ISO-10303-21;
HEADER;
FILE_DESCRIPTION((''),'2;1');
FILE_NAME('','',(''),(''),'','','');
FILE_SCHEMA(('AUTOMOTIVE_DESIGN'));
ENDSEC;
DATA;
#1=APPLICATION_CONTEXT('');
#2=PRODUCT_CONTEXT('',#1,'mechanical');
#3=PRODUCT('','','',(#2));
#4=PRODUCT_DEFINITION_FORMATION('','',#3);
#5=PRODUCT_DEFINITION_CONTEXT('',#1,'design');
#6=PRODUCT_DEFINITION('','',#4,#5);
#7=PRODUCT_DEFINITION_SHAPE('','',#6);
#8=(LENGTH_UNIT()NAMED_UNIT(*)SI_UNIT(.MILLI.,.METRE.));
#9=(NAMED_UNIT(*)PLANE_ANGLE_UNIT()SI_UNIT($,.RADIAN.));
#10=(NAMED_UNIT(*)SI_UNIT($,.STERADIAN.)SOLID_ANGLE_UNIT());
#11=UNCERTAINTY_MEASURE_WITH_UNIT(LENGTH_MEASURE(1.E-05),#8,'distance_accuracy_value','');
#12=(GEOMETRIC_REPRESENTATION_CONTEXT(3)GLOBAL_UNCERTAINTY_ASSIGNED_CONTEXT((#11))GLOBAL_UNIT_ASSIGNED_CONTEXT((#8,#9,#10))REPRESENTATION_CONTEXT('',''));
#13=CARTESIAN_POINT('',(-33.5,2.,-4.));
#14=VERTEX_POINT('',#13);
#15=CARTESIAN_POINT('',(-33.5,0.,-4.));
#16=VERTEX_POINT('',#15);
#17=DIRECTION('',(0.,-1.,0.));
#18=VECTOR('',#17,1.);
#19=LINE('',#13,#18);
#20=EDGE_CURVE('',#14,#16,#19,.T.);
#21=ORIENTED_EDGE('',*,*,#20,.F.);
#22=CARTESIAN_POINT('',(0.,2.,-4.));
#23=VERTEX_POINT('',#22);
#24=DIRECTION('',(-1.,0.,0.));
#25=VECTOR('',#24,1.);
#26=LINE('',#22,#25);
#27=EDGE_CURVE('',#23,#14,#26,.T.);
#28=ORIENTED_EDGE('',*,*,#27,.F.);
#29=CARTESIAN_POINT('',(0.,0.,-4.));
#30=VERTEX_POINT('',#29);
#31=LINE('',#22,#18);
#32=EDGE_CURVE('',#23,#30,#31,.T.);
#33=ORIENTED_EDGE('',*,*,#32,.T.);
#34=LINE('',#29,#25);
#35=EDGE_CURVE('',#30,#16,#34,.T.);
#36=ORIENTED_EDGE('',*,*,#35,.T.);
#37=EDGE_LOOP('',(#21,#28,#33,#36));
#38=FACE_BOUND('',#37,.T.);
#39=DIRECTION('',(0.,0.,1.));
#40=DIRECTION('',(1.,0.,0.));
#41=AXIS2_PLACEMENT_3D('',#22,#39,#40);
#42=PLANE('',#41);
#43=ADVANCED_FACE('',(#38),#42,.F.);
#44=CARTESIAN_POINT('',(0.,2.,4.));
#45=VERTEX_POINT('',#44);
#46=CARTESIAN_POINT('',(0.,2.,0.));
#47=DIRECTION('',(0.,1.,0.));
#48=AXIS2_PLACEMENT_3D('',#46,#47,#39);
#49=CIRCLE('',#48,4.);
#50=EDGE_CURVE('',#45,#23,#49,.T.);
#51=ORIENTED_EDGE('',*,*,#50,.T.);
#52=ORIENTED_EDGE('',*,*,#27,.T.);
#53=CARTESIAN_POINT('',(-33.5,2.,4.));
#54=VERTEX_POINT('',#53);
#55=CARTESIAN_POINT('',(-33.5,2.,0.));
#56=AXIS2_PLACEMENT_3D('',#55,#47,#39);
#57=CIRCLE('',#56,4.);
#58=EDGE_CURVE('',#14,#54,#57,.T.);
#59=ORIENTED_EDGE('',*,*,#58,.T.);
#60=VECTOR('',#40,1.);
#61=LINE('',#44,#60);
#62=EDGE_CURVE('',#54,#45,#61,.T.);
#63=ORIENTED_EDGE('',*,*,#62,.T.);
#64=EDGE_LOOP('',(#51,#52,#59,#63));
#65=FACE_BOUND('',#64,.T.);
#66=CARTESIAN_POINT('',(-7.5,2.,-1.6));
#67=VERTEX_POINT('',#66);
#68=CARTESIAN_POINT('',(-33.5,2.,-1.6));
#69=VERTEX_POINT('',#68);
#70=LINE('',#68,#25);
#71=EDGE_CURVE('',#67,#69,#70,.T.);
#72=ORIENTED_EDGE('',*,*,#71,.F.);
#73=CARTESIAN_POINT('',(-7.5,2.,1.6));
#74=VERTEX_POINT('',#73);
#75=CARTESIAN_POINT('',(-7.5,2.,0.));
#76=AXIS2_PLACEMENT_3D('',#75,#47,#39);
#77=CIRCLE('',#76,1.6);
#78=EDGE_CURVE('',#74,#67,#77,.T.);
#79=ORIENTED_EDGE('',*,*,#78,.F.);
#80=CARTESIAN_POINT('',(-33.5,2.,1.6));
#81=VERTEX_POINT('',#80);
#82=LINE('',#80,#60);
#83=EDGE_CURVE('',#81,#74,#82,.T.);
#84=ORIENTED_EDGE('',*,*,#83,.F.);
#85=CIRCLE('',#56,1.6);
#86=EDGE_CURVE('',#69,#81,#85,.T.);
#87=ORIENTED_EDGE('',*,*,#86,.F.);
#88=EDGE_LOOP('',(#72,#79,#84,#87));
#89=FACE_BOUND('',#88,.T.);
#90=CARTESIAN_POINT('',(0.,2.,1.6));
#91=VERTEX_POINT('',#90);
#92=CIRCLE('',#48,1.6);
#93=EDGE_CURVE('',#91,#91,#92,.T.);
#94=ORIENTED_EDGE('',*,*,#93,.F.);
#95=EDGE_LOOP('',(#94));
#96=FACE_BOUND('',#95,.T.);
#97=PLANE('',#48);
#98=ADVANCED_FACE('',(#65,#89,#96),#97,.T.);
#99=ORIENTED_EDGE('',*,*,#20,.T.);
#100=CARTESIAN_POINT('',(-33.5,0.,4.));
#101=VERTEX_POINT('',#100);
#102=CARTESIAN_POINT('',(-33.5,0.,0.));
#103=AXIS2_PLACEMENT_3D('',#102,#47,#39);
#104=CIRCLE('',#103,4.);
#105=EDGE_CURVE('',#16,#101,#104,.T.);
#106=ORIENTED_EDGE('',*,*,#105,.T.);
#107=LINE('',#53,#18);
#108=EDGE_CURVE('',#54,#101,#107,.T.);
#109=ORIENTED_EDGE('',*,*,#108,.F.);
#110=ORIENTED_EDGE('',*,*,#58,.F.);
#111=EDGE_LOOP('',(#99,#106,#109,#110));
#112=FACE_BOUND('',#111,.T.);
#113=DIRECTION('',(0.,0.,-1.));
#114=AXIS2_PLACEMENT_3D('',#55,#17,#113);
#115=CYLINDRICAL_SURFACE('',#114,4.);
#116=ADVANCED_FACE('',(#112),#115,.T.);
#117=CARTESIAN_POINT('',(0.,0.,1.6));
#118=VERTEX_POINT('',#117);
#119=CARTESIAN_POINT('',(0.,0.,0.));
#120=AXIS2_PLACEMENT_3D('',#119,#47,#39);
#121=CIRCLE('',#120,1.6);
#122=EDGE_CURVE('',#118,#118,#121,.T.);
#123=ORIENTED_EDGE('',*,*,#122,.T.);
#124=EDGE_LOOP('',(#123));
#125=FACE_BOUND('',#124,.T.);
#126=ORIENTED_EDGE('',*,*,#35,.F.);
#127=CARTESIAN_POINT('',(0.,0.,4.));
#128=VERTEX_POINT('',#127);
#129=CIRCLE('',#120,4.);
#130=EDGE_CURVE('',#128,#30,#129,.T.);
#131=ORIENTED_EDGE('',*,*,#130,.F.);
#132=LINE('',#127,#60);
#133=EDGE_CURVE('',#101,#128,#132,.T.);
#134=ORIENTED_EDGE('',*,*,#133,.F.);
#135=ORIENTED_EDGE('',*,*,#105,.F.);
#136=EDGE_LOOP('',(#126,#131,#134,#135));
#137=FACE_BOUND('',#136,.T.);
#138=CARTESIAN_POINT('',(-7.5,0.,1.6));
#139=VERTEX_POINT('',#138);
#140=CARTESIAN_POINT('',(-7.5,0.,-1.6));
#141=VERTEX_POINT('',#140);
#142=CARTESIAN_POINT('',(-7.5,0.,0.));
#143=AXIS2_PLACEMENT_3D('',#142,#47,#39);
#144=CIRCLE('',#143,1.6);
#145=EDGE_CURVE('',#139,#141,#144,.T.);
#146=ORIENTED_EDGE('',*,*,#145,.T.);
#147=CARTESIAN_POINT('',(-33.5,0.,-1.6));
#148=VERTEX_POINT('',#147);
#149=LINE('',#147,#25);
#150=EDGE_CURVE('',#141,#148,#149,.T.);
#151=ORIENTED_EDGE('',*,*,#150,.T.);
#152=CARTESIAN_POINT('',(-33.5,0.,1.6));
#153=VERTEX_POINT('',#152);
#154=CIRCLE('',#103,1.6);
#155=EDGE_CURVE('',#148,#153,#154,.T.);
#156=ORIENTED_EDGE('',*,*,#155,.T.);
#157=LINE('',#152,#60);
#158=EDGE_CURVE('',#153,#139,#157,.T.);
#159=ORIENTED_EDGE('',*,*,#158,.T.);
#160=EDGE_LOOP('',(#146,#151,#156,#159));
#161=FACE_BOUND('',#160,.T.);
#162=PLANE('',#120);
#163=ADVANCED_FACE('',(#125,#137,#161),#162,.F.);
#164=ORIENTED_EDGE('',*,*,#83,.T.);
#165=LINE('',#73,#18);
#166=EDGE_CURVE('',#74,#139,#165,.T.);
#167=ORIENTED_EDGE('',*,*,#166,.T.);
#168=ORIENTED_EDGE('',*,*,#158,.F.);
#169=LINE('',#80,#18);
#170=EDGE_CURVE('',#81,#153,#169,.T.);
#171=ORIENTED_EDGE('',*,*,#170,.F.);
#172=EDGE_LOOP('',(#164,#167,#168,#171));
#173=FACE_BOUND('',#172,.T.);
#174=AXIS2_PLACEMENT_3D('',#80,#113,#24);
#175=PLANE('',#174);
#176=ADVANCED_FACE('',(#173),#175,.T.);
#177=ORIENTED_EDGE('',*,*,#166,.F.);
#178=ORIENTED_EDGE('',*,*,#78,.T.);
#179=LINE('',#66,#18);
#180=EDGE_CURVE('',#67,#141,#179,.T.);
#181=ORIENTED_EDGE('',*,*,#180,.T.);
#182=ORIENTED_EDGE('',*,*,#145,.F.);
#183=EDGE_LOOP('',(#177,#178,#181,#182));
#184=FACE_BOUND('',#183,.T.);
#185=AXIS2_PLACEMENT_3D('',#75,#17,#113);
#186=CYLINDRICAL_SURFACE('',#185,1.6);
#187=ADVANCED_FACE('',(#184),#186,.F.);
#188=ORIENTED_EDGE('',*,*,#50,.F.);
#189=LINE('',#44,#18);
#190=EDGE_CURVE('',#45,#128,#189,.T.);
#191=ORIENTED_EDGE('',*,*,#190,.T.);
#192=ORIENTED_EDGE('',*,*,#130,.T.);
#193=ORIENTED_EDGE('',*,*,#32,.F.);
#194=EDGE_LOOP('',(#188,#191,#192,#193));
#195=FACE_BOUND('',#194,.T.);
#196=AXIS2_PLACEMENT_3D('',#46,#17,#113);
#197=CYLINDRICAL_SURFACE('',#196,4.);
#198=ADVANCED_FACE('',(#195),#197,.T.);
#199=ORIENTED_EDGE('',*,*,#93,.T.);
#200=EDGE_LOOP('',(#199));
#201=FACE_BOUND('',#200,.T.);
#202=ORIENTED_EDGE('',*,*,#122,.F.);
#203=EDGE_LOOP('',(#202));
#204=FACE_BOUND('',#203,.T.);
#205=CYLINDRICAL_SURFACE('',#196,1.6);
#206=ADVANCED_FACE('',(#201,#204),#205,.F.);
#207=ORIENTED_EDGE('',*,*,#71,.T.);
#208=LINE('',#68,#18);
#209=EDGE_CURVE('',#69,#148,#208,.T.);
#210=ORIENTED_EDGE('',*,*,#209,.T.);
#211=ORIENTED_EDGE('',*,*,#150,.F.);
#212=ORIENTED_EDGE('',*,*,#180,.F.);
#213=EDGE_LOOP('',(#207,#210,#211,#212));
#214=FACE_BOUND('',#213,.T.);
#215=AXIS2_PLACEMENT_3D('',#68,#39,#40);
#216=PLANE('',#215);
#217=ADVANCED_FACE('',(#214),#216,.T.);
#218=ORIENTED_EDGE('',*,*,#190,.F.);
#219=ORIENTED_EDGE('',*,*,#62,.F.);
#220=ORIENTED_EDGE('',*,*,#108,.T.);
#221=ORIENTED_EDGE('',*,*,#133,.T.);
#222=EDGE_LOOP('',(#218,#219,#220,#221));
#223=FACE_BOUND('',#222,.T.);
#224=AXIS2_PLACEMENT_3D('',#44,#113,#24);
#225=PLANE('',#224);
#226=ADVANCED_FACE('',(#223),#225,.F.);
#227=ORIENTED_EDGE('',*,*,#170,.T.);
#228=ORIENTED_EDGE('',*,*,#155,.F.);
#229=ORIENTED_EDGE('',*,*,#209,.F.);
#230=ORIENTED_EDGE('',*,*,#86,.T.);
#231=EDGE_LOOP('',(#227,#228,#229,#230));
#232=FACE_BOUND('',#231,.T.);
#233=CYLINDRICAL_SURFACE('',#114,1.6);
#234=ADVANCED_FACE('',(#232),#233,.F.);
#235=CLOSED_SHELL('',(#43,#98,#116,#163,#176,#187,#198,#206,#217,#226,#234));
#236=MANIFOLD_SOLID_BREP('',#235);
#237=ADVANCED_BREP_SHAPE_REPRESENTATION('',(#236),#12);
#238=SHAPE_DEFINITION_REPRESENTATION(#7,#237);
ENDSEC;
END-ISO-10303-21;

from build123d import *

# Parameters (mm, degrees)
SKETCH_1_R      = 1.6
EXTRUDE_1_DEPTH = 2


with BuildPart() as part:
    # 草图1 → 凸台-拉伸1 (new body)
    with BuildSketch(Plane(origin=(0, 0, 0), x_dir=(1, 0, 0), z_dir=(0, 1, 0))):
        with BuildLine():
            Line((0, -4), (-33.5, -4))
            ThreePointArc((-33.5, -4), (-37.5, 0), (-33.5, 4))
            Line((-33.5, 4), (0, 4))
            ThreePointArc((0, 4), (4, 0), (0, -4))
        make_face()
        Circle(SKETCH_1_R, mode=Mode.SUBTRACT)
        with BuildLine():
            Line((-33.5, 1.6), (-7.5, 1.6))
            ThreePointArc((-7.5, 1.6), (-5.9, 0), (-7.5, -1.6))
            Line((-7.5, -1.6), (-33.5, -1.6))
            ThreePointArc((-33.5, -1.6), (-35.1, 0), (-33.5, 1.6))
        make_face(mode=Mode.SUBTRACT)
    extrude(amount=EXTRUDE_1_DEPTH)


solid = part.part
